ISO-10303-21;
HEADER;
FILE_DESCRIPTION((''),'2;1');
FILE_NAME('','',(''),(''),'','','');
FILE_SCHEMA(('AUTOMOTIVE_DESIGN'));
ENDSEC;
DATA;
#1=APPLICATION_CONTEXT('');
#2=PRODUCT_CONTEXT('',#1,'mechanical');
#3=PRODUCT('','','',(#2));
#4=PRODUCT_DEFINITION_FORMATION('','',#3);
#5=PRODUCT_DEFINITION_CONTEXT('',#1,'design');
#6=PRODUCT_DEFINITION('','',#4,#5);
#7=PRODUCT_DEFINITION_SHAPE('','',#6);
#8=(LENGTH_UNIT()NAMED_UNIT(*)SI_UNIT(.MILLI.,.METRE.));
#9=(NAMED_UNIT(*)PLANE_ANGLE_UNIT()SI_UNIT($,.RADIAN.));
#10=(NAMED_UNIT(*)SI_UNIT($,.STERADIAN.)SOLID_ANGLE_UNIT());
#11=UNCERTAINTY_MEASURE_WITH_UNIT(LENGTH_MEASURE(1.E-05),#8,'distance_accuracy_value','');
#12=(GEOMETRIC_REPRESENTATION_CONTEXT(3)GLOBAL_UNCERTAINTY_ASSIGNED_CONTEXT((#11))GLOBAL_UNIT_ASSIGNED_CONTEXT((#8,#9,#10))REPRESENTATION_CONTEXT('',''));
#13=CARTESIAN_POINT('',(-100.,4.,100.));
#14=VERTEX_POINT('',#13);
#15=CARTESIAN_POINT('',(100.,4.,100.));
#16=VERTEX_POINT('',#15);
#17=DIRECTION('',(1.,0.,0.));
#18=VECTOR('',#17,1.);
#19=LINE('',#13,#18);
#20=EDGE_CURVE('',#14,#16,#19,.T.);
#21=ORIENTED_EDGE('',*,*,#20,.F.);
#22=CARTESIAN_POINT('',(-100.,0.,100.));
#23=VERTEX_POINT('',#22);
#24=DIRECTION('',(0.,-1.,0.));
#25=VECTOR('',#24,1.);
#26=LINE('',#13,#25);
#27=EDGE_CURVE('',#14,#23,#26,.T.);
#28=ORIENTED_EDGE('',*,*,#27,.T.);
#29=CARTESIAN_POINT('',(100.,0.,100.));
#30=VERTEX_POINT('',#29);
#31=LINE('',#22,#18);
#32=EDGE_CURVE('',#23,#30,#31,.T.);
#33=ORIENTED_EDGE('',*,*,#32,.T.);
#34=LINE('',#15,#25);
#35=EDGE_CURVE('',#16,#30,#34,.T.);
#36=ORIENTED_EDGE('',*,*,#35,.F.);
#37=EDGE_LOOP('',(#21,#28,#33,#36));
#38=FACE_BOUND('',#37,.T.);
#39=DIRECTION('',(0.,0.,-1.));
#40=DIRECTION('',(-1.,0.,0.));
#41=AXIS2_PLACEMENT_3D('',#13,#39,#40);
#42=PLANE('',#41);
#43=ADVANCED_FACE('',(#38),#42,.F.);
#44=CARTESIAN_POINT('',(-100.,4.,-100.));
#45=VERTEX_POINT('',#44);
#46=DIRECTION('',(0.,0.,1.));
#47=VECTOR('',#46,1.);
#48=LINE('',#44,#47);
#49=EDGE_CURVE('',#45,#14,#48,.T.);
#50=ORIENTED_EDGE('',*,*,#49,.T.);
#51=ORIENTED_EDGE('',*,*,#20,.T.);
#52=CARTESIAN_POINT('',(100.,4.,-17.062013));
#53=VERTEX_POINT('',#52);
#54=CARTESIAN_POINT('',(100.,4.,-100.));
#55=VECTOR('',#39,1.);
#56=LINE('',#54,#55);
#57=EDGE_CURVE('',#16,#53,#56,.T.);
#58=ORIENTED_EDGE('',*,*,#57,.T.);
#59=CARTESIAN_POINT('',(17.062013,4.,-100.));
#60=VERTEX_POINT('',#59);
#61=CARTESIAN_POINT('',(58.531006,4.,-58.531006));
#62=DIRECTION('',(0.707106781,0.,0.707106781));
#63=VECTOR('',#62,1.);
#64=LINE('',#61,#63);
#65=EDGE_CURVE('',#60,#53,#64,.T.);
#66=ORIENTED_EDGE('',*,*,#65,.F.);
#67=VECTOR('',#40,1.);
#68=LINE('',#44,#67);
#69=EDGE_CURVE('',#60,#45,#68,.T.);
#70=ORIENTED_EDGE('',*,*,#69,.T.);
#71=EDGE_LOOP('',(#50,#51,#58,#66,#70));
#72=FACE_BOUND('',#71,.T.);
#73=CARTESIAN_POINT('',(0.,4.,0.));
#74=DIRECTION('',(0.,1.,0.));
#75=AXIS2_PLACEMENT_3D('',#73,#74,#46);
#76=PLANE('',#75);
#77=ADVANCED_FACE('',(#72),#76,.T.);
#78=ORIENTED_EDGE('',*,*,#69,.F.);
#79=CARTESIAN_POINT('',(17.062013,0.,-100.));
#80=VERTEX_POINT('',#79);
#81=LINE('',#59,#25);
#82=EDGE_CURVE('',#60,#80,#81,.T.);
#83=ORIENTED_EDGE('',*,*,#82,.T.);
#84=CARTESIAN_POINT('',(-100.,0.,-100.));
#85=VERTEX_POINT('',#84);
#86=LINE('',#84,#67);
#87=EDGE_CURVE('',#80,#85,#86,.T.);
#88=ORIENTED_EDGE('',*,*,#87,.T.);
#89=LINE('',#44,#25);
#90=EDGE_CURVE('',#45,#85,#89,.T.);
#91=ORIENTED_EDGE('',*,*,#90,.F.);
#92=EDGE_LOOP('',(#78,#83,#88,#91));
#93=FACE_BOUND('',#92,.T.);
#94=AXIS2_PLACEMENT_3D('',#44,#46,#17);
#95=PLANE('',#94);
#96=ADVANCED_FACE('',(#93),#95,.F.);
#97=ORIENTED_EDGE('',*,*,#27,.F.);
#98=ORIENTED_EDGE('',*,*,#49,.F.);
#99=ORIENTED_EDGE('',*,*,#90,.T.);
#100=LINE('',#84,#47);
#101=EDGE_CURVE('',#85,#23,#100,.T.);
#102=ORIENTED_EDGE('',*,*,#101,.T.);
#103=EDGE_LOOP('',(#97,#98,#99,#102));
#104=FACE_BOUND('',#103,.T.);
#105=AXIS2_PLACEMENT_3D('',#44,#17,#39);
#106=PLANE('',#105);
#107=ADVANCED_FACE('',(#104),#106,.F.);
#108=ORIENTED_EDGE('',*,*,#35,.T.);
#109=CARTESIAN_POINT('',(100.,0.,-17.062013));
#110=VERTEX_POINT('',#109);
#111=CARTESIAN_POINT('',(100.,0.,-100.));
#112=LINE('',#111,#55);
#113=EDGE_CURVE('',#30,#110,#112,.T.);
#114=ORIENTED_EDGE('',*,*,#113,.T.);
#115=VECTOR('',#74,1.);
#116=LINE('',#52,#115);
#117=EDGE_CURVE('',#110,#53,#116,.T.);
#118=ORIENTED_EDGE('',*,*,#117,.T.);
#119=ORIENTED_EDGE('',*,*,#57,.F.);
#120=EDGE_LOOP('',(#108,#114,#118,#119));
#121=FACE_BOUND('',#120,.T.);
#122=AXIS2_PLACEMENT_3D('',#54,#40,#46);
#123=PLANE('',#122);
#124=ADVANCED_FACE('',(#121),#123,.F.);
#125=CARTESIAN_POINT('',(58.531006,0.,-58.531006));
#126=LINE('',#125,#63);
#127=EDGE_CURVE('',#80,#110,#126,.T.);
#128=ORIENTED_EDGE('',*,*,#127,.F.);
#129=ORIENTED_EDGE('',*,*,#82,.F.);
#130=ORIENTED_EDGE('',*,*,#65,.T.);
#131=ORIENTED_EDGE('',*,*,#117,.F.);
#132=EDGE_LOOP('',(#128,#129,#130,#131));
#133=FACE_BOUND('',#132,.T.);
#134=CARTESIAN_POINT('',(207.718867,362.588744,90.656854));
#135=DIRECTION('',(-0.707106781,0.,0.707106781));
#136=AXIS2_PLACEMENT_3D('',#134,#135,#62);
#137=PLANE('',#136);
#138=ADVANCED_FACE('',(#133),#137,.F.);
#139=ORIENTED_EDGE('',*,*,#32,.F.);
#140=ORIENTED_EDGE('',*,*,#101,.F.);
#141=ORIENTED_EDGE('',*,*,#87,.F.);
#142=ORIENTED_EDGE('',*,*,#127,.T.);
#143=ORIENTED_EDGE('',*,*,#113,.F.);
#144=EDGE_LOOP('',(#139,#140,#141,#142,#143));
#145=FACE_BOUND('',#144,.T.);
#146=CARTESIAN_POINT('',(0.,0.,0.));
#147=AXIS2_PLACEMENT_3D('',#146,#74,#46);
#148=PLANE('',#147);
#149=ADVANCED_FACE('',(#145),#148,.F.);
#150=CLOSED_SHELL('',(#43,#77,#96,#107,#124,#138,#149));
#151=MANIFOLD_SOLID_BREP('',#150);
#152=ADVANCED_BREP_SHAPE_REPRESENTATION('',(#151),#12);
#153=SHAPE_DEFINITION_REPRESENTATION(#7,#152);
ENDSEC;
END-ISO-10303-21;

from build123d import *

# Parameters (mm, degrees)
SKETCH1_W               = 200
SKETCH1_H               = 200
BOSS_EXTRUDE1_DEPTH     = 4
CUT_EXTRUDE1_DEPTH      = 142.477913471
CUT_EXTRUDE1_DEPTH_BACK = 142.477913471


with BuildPart() as part:
    # Sketch1 → Boss-Extrude1 (new body)
    with BuildSketch(Plane(origin=(0, 0, 0), x_dir=(1, 0, 0), z_dir=(0, 1, 0))):
        Rectangle(SKETCH1_W, SKETCH1_H)
    extrude(amount=BOSS_EXTRUDE1_DEPTH)

    # Sketch2 → Cut-Extrude1 (cut, two sides: drawn at the far end of the back side and taken through both)
    with BuildSketch(Plane(origin=(0, 4, 0), x_dir=(1, 0, 0), z_dir=(0, 1, 0)).offset(-CUT_EXTRUDE1_DEPTH_BACK)):
        Polygon((726.729261237, -609.667248673), (207.718866814, -90.656854249), (-90.656854249, 207.718866814), (-609.667248673, 726.729261237), (428.353540174, 1764.750050084), (1764.750050084, 428.353540174), align=None)
    extrude(amount=CUT_EXTRUDE1_DEPTH + CUT_EXTRUDE1_DEPTH_BACK, mode=Mode.SUBTRACT)


solid = part.part
